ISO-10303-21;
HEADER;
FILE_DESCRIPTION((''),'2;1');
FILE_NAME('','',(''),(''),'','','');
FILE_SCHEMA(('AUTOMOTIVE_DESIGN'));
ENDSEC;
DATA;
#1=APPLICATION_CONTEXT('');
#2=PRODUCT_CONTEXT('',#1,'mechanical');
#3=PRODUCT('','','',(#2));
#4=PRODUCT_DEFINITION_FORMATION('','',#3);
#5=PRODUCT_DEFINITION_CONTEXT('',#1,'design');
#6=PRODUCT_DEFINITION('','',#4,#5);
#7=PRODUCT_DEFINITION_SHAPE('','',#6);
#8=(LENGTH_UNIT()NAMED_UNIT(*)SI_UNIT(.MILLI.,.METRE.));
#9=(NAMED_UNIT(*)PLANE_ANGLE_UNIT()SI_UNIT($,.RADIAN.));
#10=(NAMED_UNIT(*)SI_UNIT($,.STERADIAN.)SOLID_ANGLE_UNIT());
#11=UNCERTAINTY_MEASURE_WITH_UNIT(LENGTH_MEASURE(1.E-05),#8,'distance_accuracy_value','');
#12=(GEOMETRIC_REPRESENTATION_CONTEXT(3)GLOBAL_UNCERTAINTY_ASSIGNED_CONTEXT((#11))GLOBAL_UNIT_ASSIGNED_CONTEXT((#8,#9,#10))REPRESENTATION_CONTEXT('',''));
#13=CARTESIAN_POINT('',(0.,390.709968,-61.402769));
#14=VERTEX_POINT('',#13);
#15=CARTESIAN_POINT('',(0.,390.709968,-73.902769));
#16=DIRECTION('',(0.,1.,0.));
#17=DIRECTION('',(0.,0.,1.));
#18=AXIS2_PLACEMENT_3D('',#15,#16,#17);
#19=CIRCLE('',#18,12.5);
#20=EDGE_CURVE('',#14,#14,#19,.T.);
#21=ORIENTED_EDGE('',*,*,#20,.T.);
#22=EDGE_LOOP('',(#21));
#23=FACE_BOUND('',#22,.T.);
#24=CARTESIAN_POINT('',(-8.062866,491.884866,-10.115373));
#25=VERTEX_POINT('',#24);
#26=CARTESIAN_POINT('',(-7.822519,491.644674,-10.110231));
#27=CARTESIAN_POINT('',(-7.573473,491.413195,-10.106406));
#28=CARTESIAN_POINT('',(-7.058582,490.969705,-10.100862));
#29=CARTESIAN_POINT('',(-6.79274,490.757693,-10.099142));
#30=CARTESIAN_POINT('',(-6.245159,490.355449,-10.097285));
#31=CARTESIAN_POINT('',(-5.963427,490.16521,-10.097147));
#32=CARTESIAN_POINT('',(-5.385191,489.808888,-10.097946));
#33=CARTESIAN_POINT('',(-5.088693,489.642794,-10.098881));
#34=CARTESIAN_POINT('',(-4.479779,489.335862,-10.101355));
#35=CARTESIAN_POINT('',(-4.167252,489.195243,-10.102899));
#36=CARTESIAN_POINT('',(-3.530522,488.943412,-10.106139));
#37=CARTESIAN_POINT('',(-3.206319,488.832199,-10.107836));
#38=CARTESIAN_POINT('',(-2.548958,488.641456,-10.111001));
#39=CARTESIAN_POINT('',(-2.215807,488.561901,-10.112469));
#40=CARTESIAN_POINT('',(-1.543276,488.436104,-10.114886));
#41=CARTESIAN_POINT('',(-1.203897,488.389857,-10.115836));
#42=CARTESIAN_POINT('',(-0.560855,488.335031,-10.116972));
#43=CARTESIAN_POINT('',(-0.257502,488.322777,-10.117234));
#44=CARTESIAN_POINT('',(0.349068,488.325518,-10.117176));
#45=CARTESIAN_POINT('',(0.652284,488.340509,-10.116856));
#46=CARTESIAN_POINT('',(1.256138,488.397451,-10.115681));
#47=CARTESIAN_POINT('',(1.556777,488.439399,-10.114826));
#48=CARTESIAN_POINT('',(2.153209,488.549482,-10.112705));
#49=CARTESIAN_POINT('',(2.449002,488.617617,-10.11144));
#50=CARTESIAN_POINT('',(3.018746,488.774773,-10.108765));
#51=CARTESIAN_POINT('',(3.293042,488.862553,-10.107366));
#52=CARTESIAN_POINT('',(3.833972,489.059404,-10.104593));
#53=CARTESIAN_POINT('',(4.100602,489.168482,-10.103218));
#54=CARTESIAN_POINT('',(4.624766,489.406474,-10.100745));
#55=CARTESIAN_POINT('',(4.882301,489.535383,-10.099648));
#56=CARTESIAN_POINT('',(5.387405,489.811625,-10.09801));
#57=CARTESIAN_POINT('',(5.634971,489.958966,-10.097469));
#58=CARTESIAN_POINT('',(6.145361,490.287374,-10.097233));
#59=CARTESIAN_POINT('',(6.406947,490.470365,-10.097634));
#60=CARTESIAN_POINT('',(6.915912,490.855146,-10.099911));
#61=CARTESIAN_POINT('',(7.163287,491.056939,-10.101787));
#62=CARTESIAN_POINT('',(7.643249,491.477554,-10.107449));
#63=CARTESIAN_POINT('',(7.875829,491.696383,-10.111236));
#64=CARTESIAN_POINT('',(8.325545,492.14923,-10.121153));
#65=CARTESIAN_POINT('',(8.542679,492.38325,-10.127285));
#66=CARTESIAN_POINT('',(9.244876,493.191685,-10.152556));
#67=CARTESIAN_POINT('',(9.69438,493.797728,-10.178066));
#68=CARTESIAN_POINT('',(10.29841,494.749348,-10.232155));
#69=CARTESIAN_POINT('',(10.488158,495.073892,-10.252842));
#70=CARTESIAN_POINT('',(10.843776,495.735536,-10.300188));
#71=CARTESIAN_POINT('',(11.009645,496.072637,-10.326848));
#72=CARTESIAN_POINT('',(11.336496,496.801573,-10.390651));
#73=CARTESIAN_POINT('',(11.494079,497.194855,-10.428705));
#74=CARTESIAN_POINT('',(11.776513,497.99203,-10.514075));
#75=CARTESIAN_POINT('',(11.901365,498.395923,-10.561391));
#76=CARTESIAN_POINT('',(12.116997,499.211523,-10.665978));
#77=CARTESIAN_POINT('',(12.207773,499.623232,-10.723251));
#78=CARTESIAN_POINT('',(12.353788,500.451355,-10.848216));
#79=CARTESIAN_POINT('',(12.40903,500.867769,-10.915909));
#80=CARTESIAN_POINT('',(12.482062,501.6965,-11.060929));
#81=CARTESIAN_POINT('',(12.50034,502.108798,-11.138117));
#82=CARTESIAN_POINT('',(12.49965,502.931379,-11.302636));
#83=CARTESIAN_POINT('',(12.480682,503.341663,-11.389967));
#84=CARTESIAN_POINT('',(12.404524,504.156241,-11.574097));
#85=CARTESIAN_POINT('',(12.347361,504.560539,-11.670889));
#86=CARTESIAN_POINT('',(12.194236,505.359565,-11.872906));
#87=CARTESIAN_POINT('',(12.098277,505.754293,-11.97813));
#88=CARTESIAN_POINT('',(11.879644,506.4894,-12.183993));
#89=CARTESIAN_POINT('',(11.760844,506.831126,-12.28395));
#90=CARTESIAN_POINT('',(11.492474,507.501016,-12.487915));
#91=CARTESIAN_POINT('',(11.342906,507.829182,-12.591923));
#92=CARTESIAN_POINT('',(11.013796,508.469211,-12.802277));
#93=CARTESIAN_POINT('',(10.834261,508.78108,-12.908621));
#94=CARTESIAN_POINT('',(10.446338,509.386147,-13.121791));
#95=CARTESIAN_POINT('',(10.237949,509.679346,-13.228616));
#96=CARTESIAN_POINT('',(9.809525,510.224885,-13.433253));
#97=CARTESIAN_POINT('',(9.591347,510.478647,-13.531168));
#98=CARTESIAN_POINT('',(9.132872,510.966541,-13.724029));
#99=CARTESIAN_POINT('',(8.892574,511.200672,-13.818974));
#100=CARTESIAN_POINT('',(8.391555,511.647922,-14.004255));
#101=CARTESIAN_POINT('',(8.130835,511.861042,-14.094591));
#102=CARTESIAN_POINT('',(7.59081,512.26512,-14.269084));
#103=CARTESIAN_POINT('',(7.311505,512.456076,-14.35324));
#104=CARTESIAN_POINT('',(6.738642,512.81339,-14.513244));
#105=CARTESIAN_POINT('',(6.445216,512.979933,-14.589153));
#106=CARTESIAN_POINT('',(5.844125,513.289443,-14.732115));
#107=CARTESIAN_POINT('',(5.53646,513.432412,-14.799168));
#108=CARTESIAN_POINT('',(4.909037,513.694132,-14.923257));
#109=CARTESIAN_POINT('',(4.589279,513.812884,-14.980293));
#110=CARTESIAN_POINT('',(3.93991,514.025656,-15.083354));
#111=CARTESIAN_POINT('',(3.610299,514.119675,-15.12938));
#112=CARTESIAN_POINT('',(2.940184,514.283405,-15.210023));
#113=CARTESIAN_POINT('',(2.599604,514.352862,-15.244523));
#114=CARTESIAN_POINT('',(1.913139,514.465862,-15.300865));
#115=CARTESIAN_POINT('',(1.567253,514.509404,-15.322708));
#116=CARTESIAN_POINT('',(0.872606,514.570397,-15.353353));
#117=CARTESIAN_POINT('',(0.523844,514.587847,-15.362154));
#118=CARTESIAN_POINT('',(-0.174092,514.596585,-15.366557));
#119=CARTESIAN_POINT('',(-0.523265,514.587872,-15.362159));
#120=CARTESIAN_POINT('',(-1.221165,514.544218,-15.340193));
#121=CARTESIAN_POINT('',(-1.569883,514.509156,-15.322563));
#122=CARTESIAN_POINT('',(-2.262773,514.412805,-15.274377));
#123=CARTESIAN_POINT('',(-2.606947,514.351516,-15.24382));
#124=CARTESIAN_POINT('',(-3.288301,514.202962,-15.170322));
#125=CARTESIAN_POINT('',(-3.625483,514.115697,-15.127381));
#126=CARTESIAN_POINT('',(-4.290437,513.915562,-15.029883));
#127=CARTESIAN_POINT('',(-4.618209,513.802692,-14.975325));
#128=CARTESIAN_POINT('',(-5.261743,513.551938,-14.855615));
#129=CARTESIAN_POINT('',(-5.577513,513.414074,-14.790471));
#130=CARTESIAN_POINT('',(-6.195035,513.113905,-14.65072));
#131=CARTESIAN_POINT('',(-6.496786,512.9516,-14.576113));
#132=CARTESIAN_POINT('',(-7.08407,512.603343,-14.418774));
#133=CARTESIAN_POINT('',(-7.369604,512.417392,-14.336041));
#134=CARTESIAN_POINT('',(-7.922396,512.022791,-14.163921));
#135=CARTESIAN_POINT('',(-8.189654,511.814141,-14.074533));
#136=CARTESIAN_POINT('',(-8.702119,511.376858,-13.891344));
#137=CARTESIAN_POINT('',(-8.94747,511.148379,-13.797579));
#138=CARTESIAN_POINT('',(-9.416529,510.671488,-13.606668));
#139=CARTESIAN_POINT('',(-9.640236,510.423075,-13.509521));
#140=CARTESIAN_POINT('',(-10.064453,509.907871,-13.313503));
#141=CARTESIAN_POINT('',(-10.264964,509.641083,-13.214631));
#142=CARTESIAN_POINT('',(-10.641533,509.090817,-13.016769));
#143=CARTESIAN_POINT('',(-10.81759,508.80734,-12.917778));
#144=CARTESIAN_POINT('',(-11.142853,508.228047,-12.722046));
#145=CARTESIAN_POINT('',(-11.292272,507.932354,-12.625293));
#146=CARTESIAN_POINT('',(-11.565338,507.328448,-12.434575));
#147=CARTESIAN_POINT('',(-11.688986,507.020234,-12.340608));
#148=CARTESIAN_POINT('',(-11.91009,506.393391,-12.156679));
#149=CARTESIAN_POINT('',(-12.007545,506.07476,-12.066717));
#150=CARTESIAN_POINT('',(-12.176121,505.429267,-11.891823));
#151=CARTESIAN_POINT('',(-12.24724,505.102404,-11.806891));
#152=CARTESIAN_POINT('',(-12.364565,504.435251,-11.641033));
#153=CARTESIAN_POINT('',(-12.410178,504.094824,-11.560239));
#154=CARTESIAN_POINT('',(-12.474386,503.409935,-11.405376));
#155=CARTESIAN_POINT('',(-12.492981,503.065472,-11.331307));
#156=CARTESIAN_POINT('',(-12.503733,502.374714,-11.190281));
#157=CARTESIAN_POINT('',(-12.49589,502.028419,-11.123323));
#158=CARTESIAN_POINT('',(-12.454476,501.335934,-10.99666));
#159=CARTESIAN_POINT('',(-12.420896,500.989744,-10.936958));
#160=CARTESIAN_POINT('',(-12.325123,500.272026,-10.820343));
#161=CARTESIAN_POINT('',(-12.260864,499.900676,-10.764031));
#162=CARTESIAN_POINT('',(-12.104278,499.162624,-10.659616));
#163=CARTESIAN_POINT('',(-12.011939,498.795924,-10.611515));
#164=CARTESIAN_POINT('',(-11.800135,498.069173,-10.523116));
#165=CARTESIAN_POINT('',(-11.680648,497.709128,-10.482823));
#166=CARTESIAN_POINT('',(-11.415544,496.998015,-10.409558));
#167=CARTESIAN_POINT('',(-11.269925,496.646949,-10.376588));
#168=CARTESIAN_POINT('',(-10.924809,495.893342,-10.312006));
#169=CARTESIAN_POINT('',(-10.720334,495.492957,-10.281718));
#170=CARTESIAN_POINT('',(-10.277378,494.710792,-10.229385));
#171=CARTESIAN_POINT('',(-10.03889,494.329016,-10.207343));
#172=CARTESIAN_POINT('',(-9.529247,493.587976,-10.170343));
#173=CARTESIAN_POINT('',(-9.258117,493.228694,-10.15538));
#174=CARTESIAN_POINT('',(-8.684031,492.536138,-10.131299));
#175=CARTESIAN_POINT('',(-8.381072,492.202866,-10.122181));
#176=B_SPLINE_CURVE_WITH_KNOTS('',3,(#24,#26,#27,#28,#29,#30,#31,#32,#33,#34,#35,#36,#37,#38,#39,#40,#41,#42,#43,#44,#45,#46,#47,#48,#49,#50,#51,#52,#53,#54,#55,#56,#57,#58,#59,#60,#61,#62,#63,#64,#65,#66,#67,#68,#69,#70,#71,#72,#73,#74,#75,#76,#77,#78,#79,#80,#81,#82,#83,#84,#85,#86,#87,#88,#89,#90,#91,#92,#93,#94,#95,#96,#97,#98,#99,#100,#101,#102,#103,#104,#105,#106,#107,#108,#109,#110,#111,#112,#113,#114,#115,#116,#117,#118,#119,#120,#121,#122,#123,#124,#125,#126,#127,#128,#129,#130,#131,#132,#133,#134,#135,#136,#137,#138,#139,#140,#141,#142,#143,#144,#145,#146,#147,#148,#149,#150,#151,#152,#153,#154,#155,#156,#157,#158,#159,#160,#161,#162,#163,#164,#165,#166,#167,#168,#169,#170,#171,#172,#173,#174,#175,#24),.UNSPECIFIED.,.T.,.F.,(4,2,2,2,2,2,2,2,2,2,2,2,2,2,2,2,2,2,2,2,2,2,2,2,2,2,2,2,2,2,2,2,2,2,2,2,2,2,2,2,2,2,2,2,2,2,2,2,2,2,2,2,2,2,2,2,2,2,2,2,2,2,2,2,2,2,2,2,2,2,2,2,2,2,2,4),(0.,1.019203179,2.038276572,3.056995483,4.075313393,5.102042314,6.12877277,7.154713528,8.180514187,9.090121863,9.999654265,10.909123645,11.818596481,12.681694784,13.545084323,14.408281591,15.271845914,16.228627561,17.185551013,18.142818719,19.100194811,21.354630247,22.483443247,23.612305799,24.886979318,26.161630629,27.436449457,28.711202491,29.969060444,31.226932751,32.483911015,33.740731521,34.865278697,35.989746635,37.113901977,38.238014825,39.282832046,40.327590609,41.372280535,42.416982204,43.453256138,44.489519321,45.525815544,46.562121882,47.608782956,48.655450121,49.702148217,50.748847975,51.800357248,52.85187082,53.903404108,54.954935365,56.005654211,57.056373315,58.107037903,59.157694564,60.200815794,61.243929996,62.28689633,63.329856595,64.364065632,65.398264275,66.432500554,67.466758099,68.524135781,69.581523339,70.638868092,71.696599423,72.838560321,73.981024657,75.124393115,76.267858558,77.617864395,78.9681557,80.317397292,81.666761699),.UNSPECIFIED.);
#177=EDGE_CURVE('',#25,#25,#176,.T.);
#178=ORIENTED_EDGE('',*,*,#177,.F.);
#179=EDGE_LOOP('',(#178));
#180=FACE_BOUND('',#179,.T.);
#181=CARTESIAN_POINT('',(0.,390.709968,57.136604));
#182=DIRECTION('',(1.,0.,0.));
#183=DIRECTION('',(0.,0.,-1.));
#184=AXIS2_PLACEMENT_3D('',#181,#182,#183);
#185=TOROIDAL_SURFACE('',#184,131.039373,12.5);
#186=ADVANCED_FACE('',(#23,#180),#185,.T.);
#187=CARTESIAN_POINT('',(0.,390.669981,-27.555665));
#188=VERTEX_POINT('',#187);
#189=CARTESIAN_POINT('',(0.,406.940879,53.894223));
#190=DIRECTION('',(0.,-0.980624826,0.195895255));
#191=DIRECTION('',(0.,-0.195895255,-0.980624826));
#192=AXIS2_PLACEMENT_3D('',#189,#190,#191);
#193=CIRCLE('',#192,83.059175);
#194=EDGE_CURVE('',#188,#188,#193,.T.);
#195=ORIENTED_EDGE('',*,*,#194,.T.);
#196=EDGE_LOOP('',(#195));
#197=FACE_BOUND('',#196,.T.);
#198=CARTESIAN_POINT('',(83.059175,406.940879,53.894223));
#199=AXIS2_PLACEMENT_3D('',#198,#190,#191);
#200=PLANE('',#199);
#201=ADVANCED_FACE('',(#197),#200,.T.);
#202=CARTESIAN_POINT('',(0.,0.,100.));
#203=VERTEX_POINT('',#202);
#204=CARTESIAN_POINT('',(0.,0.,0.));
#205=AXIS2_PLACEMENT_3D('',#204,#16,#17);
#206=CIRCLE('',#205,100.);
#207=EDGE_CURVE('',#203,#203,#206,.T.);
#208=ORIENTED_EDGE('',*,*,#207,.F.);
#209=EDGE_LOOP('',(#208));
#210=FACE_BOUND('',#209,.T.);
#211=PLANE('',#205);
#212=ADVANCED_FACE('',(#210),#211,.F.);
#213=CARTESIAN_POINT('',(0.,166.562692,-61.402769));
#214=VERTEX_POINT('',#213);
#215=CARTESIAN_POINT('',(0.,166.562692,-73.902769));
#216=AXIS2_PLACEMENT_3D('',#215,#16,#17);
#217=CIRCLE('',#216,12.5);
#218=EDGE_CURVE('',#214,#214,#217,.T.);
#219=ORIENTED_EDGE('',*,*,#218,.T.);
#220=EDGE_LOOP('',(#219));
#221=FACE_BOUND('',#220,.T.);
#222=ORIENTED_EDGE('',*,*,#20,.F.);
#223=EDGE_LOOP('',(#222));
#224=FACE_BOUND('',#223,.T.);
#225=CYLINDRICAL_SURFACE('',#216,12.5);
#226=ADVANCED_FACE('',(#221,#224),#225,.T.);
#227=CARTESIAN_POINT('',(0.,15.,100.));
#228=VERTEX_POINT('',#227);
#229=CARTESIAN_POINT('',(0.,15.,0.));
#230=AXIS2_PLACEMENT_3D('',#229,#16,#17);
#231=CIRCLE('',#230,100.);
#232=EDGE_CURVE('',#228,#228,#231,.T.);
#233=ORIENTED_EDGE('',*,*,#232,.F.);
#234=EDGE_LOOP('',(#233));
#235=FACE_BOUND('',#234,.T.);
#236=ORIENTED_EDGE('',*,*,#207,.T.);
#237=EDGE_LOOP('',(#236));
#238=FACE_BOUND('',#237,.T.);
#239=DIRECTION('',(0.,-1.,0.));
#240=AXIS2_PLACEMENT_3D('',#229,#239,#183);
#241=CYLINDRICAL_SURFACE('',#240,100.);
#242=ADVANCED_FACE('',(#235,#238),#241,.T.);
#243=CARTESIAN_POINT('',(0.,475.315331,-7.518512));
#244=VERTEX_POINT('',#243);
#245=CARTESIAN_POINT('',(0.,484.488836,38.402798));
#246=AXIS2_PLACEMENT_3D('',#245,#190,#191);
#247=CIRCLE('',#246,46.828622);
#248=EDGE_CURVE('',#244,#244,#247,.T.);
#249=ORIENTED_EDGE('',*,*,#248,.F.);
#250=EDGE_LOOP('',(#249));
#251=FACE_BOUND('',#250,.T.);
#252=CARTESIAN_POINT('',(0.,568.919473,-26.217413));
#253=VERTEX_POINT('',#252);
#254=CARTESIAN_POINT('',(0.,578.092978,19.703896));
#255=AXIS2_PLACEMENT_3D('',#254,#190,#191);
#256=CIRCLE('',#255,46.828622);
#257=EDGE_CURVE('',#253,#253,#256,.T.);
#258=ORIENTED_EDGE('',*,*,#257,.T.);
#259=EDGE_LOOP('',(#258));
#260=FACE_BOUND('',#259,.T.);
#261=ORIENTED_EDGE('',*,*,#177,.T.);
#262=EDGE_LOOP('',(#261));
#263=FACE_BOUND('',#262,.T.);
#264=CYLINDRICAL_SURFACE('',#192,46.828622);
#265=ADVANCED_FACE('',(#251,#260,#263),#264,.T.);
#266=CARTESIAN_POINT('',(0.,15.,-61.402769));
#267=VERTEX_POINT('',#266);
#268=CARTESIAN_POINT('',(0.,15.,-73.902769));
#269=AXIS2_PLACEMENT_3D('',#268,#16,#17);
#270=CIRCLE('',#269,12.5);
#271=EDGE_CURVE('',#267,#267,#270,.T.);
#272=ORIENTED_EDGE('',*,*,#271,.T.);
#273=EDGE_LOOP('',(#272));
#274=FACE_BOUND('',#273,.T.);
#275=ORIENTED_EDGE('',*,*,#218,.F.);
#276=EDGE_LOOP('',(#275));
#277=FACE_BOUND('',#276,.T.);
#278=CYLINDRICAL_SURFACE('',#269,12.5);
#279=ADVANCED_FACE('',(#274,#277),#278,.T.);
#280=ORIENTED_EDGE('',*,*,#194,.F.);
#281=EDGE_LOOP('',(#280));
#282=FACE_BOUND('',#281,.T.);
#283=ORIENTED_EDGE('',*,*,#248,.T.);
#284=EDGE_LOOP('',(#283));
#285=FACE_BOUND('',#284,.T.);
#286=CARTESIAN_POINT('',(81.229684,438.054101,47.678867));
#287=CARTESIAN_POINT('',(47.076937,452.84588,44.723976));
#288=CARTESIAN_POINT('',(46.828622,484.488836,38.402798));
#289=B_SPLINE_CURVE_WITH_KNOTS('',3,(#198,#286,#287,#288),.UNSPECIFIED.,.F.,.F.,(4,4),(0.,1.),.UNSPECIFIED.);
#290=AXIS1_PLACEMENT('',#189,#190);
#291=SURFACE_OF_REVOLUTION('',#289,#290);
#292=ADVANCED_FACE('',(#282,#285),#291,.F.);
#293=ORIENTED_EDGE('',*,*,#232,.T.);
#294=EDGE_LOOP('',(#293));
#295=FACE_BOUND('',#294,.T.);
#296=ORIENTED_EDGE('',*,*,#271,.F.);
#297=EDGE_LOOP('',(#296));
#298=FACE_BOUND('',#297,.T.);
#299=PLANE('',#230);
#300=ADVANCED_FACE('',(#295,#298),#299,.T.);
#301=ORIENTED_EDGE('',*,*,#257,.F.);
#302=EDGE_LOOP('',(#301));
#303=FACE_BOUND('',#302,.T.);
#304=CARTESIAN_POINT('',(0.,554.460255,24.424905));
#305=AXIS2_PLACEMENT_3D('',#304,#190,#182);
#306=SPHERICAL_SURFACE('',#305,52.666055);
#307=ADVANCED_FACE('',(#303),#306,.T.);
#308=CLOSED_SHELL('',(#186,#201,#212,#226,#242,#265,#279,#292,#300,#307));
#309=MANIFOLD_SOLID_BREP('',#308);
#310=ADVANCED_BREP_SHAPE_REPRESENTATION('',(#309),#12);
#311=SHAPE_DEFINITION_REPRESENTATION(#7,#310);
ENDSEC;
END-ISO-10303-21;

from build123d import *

# Parameters (mm, degrees)
SKETCH_2_R      = 100
EXTRUDE_1_DEPTH = 15
SKETCH_4_R      = 12.5


with BuildPart() as part:
    # 草图2 → 凸台-拉伸1 (new body)
    with BuildSketch(Plane(origin=(0, 0, 0), x_dir=(1, 0, 0), z_dir=(0, 1, 0))):
        with Locations(Location((0, 0, 0), (0, 0, 270))):
            Circle(SKETCH_2_R)
    extrude(amount=EXTRUDE_1_DEPTH)

    # 扫描1: sweep along a path in 草图3
    with BuildLine(Plane(origin=(0, 0, 0), x_dir=(0, 0, -1), z_dir=(1, 0, 0))) as sweep_1_path:
        Line((73.902769021, 15), (73.902769021, 166.562691704))
        Line((73.902769021, 166.562691704), (73.902769021, 390.709968379))
        ThreePointArc((73.902769021, 390.709968379), (44.192308228, 473.798889435), (-31.466612201, 519.210430284))
    # 草图4 → 扫描1 (sweep)
    with BuildSketch(Plane(origin=(0, 15, 0), x_dir=(1, 0, 0), z_dir=(0, 1, 0))):
        with Locations((0, 73.902769021)):
            Circle(SKETCH_4_R)
    sweep(path=sweep_1_path.line)

    # 草图6 → 旋转1 (revolve)
    with BuildSketch(Plane(origin=(0, 25.969403223, 129.999276708), x_dir=(1, 0, 0), z_dir=(0, 0.19589525539003017, 0.9806248257696085)), mode=Mode.PRIVATE) as revolve_1_sk:
        with BuildLine():
            Line((0, 388.498705936), (0, 591.59882287))
            ThreePointArc((0, 591.59882287), (27.426988969, 583.893568856), (46.828622065, 563.032425634))
            Line((46.828622065, 563.032425634), (46.828622065, 467.578854382))
            add(Edge.make_bspline(
                [(46.828622065, 467.578854382), (47.076936917, 435.310697465), (81.229684313, 420.22666255), (83.059174658, 388.498705936)],
                knots=[0, 0, 0, 0, 1, 1, 1, 1], degree=3))
            Line((83.059174658, 388.498705936), (0, 388.498705936))
        make_face()
    revolve(revolve_1_sk.sketch.rotate(Axis((0, 406.940879043, 53.89422349), (0, 0.9806248257696084, -0.19589525539003022)), 90), axis=Axis((0, 406.940879043, 53.89422349), (0, 0.9806248257696084, -0.19589525539003022)))


solid = part.part
